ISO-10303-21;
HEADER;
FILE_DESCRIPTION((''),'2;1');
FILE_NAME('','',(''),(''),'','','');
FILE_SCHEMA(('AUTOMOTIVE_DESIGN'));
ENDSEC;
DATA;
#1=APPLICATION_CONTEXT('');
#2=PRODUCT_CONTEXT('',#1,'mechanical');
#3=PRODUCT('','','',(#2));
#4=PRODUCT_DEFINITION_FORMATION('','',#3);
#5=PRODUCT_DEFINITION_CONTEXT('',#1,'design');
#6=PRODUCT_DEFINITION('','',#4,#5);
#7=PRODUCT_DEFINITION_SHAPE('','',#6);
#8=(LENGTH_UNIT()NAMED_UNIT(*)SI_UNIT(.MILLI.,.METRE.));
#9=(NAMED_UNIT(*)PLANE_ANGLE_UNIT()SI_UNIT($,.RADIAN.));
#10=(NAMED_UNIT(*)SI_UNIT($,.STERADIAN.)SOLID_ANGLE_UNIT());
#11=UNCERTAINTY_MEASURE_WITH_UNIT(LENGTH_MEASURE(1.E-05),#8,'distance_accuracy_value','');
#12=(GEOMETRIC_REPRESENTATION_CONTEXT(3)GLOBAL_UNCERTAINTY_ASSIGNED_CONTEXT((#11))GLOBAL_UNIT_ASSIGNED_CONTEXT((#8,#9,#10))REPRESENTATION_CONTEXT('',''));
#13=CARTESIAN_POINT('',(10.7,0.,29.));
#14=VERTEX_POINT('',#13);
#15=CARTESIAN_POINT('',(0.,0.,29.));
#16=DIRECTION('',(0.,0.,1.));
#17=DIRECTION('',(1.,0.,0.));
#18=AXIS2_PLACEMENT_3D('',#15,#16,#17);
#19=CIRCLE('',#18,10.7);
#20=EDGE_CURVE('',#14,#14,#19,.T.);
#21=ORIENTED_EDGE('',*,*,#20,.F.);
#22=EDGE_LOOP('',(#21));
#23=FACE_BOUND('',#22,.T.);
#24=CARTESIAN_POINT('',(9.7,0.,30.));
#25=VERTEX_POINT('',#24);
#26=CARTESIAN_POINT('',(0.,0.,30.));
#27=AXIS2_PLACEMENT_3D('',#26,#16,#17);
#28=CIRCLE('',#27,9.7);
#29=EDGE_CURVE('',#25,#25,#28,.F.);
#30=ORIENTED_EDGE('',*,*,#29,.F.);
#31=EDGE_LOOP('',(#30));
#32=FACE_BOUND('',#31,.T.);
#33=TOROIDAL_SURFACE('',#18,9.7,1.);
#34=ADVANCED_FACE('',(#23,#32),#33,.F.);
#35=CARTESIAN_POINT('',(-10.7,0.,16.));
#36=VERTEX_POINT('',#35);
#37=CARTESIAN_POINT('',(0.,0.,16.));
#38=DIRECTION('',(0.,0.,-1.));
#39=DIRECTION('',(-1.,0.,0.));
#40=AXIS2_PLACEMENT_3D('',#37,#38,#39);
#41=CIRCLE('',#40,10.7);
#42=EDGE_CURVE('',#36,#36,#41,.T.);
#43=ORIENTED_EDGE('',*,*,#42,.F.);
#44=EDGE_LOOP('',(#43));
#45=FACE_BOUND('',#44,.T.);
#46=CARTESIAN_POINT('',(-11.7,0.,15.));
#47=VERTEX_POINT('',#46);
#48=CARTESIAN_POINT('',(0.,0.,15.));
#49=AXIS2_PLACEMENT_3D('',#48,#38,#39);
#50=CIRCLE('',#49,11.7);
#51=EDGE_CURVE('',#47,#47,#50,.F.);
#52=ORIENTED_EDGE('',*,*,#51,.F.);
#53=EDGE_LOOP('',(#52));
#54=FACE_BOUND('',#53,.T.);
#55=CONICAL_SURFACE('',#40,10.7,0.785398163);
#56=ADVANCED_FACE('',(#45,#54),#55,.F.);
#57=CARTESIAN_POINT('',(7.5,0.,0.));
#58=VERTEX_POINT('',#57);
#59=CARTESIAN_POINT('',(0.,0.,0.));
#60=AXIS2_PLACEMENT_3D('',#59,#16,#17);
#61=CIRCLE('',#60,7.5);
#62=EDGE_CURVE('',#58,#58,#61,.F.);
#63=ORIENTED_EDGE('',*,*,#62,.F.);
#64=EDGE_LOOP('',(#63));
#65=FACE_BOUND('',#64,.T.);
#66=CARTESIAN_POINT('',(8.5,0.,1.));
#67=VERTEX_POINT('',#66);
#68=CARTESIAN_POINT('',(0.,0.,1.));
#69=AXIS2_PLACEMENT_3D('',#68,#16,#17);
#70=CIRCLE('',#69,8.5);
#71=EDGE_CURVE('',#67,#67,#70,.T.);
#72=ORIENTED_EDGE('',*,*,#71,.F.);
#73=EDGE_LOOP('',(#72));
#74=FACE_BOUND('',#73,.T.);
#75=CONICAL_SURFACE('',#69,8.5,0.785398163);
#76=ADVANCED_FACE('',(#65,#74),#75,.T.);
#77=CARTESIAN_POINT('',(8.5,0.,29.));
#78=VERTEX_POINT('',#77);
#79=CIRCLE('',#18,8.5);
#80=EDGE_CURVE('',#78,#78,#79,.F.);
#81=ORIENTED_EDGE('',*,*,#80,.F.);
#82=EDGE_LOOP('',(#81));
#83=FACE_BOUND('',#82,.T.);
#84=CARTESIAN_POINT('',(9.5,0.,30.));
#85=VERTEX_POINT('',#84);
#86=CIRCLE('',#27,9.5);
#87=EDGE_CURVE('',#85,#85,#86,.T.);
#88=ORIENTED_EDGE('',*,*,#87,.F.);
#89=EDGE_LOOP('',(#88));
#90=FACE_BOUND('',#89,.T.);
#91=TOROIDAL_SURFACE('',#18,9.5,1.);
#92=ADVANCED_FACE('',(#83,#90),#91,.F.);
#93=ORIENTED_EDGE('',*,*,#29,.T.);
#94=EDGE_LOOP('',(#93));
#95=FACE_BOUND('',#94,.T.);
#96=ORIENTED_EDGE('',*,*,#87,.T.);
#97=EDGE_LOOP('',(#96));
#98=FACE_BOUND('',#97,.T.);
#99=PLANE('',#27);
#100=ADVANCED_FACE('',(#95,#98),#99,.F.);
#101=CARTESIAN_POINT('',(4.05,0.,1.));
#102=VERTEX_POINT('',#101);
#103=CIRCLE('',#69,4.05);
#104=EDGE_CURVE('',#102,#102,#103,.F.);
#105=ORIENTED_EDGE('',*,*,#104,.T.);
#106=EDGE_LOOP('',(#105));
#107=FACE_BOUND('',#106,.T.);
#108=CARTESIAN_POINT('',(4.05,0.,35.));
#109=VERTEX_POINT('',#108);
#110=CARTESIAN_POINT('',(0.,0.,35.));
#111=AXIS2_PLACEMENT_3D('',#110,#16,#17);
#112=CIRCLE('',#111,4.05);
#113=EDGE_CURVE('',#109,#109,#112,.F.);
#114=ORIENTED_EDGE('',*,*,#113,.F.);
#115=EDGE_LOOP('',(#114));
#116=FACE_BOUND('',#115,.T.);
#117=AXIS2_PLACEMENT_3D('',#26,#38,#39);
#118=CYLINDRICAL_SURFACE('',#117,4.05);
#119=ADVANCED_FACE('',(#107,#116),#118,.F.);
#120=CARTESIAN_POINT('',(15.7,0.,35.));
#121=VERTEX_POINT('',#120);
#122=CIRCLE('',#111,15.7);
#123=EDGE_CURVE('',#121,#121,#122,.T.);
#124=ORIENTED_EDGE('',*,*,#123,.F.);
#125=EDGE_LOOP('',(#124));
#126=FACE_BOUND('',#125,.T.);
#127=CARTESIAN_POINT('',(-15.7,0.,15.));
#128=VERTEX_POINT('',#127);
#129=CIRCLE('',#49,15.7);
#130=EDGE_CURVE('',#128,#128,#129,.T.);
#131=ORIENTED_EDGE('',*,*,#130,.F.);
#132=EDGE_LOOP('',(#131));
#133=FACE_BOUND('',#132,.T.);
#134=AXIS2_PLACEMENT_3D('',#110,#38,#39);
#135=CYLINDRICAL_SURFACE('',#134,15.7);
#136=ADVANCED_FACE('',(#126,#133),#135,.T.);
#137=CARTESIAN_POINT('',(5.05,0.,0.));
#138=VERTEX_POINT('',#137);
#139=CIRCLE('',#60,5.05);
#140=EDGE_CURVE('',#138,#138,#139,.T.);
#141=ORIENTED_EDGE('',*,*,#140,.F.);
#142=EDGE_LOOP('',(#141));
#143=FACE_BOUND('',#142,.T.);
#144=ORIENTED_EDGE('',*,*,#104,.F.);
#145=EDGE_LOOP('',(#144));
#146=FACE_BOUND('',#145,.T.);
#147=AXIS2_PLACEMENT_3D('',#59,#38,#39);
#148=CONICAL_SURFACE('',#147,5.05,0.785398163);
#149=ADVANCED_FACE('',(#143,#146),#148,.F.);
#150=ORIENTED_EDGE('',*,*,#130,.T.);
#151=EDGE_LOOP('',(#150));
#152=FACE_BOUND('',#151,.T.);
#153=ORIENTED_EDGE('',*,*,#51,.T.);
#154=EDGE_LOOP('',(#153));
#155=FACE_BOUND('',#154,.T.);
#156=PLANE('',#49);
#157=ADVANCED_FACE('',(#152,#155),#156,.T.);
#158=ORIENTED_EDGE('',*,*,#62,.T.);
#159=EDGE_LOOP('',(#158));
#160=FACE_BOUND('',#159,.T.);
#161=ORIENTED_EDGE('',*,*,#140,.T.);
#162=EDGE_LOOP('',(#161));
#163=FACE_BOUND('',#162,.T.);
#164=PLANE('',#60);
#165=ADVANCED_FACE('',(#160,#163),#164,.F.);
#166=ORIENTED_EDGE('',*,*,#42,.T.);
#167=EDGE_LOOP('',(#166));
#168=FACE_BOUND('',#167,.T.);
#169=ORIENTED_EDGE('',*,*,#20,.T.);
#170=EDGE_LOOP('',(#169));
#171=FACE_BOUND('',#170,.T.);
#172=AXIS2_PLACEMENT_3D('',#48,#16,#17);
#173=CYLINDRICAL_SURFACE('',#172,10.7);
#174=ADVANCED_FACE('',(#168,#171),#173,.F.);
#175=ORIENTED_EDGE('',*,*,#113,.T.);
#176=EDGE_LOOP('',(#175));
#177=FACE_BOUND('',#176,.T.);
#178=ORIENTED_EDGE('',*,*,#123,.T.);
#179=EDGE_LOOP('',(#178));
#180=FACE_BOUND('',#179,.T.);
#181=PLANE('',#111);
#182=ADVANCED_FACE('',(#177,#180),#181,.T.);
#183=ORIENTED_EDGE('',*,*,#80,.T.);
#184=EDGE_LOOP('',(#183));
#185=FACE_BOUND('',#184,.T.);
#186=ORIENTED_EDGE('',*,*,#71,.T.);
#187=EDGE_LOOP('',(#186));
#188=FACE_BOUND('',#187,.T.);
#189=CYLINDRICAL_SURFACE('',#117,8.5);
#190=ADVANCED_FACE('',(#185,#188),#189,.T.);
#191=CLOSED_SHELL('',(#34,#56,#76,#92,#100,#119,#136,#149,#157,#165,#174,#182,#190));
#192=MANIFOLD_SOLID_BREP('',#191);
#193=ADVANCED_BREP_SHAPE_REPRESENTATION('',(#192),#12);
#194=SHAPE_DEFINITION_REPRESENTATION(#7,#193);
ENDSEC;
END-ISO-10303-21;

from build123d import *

# Parameters (mm, degrees)
SKETCH1_R           = 8.5
SKETCH1_R_2         = 4.05
BOSS_EXTRUDE1_DEPTH = 30
SKETCH2_R           = 15.7
SKETCH2_R_2         = 10.7
SKETCH2_R_3         = 8.5
SKETCH2_R_4         = 4.05
BOSS_EXTRUDE2_DEPTH = 5
BOSS_EXTRUDE3_START = 15
SKETCH3_R           = 15.7
SKETCH3_R_2         = 10.7
BOSS_EXTRUDE3_DEPTH = 15
FILLET1_R           = 1
CHAMFER1_SIZE       = 1
CHAMFER2_SIZE       = 1


with BuildPart() as part:
    # Sketch1 → Boss-Extrude1 (new body)
    with BuildSketch(Plane.XY):
        Circle(SKETCH1_R)
        Circle(SKETCH1_R_2, mode=Mode.SUBTRACT)
    extrude(amount=BOSS_EXTRUDE1_DEPTH)

    # Sketch2 → Boss-Extrude2 (add)
    # profile 1 of 3: a face of its own
    with BuildSketch(Plane.XY.offset(30)):
        Circle(SKETCH2_R)
        Circle(SKETCH2_R_2, mode=Mode.SUBTRACT)
    # profile 2 of 3: a face of its own
    with BuildSketch(Plane.XY.offset(30)):
        Circle(SKETCH2_R_2)
        Circle(SKETCH2_R_3, mode=Mode.SUBTRACT)
    # profile 3 of 3: a face of its own
    with BuildSketch(Plane.XY.offset(30)):
        Circle(SKETCH2_R_3)
        Circle(SKETCH2_R_4, mode=Mode.SUBTRACT)
    extrude(amount=BOSS_EXTRUDE2_DEPTH)

    # Sketch3 → Boss-Extrude3 (add)
    with BuildSketch(Plane(origin=(0, 0, 30), x_dir=(-1, 0, 0), z_dir=(0, 0, -1)).offset(BOSS_EXTRUDE3_START)):
        Circle(SKETCH3_R)
        Circle(SKETCH3_R_2, mode=Mode.SUBTRACT)
    extrude(amount=-BOSS_EXTRUDE3_DEPTH)

    # Fillet1
    fillet1_edges = [part.edges().sort_by_distance(p)[0] for p in [
        (10.7, 0, 30),
        (-8.5, 0, 30),
    ]]
    fillet(fillet1_edges, radius=FILLET1_R)

    # Chamfer1
    chamfer1_edges = [part.edges().sort_by_distance(p)[0] for p in [
        (10.7, 0, 15),
    ]]
    chamfer(chamfer1_edges, length=CHAMFER1_SIZE)

    # Chamfer2
    chamfer2_edges = [part.edges().sort_by_distance(p)[0] for p in [
        (-8.5, 0, 0),
        (-4.05, 0, 0),
    ]]
    chamfer(chamfer2_edges, length=CHAMFER2_SIZE)


solid = part.part
